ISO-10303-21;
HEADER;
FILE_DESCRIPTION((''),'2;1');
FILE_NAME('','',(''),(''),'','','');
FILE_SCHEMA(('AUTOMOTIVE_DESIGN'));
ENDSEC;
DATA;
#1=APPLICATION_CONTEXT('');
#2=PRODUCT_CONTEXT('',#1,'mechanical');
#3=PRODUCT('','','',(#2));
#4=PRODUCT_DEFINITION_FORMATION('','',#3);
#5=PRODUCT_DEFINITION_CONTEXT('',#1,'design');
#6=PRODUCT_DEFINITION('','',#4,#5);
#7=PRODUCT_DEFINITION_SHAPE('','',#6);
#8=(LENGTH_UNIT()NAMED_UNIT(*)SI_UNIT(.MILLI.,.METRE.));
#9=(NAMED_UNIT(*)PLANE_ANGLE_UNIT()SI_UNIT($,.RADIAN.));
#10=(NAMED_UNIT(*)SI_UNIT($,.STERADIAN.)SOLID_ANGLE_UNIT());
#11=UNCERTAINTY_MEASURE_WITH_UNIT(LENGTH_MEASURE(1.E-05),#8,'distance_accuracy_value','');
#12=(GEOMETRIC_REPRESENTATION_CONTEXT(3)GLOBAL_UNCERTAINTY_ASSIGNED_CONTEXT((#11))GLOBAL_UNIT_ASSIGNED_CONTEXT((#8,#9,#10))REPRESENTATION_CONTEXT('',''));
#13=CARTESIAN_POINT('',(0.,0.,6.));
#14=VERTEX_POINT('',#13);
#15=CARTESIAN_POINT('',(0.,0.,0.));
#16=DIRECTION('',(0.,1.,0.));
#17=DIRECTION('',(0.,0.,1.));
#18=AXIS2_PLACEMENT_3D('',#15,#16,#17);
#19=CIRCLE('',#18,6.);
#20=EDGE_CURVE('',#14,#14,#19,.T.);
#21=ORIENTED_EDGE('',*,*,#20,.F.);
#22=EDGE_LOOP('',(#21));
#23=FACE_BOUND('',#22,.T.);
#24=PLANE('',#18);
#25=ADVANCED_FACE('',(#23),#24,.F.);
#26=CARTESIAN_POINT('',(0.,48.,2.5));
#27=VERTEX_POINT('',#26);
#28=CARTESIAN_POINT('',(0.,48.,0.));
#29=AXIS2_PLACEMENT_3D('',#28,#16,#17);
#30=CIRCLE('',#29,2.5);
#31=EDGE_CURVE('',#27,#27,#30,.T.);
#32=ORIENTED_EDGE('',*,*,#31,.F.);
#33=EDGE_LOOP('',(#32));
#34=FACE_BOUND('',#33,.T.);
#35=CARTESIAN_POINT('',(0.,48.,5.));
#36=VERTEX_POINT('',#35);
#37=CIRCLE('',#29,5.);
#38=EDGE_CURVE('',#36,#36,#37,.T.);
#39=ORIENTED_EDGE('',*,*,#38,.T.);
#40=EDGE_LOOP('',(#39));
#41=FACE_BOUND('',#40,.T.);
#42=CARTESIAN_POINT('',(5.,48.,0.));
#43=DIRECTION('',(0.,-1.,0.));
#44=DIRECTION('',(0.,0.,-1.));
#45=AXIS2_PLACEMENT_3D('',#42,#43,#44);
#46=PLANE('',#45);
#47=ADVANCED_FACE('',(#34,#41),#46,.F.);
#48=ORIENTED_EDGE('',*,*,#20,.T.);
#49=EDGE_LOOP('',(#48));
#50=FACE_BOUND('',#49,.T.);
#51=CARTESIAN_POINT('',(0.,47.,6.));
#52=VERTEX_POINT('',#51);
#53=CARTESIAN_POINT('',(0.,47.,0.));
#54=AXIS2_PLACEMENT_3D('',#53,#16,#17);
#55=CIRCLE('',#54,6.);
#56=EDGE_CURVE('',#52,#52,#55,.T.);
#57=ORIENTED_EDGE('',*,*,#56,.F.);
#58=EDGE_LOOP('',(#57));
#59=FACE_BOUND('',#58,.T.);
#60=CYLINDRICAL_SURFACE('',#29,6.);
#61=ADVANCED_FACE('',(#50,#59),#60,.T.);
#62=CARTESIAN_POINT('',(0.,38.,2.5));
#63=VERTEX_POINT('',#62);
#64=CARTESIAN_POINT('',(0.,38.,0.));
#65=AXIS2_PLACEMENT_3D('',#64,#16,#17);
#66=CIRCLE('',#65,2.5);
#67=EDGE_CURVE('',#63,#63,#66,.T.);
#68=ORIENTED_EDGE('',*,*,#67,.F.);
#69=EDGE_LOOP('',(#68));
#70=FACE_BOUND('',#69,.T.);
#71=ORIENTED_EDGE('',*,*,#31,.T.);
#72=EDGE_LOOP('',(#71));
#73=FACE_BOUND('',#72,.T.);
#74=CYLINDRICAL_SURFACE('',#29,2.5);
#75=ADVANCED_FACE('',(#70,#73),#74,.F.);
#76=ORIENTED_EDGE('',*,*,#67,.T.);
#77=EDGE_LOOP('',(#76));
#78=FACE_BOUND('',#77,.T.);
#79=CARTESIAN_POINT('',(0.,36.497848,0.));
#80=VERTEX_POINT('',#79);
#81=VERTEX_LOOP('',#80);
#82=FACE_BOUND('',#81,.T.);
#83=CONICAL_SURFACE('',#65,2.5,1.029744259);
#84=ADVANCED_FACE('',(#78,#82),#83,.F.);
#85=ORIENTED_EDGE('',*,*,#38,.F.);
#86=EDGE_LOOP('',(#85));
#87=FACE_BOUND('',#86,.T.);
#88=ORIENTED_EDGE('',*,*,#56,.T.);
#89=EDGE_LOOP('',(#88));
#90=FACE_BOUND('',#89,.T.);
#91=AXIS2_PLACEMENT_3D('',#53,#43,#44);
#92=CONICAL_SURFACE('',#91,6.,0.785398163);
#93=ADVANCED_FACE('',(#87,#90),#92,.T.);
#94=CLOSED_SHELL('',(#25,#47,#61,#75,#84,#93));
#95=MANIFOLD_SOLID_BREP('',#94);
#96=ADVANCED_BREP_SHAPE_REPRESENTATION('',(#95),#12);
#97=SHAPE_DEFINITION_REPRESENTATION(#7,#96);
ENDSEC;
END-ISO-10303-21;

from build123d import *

# Parameters (mm, degrees)
TALADRO_ROSCADO_M61_D     = 5
TALADRO_ROSCADO_M61_DEPTH = 10
TALADRO_ROSCADO_M61_TIP   = 1.502151548


with BuildPart() as part:
    # Croquis1 → Revolución1 (revolve)
    with BuildSketch(Plane.XY, mode=Mode.PRIVATE) as revoluci_n1_sk:
        Polygon((0, 48), (0, 0), (6, 0), (6, 47), (5, 48), align=None)
    revolve(revoluci_n1_sk.sketch.rotate(Axis((0, 48, 0), (0, -1, 0)), 90), axis=Axis((0, 48, 0), (0, -1, 0)))

    # Taladro roscado M61
    with Locations(Plane(origin=(0, 48, 0), x_dir=(1, 0, 0), z_dir=(0, 1, 0))):
        with Locations((0, 0)):
            Hole(TALADRO_ROSCADO_M61_D / 2, depth=TALADRO_ROSCADO_M61_DEPTH)
            with Locations((0, 0, -(TALADRO_ROSCADO_M61_DEPTH + TALADRO_ROSCADO_M61_TIP / 2))):  # 118° drill point
                Cone(0, TALADRO_ROSCADO_M61_D / 2, TALADRO_ROSCADO_M61_TIP, mode=Mode.SUBTRACT)


solid = part.part
